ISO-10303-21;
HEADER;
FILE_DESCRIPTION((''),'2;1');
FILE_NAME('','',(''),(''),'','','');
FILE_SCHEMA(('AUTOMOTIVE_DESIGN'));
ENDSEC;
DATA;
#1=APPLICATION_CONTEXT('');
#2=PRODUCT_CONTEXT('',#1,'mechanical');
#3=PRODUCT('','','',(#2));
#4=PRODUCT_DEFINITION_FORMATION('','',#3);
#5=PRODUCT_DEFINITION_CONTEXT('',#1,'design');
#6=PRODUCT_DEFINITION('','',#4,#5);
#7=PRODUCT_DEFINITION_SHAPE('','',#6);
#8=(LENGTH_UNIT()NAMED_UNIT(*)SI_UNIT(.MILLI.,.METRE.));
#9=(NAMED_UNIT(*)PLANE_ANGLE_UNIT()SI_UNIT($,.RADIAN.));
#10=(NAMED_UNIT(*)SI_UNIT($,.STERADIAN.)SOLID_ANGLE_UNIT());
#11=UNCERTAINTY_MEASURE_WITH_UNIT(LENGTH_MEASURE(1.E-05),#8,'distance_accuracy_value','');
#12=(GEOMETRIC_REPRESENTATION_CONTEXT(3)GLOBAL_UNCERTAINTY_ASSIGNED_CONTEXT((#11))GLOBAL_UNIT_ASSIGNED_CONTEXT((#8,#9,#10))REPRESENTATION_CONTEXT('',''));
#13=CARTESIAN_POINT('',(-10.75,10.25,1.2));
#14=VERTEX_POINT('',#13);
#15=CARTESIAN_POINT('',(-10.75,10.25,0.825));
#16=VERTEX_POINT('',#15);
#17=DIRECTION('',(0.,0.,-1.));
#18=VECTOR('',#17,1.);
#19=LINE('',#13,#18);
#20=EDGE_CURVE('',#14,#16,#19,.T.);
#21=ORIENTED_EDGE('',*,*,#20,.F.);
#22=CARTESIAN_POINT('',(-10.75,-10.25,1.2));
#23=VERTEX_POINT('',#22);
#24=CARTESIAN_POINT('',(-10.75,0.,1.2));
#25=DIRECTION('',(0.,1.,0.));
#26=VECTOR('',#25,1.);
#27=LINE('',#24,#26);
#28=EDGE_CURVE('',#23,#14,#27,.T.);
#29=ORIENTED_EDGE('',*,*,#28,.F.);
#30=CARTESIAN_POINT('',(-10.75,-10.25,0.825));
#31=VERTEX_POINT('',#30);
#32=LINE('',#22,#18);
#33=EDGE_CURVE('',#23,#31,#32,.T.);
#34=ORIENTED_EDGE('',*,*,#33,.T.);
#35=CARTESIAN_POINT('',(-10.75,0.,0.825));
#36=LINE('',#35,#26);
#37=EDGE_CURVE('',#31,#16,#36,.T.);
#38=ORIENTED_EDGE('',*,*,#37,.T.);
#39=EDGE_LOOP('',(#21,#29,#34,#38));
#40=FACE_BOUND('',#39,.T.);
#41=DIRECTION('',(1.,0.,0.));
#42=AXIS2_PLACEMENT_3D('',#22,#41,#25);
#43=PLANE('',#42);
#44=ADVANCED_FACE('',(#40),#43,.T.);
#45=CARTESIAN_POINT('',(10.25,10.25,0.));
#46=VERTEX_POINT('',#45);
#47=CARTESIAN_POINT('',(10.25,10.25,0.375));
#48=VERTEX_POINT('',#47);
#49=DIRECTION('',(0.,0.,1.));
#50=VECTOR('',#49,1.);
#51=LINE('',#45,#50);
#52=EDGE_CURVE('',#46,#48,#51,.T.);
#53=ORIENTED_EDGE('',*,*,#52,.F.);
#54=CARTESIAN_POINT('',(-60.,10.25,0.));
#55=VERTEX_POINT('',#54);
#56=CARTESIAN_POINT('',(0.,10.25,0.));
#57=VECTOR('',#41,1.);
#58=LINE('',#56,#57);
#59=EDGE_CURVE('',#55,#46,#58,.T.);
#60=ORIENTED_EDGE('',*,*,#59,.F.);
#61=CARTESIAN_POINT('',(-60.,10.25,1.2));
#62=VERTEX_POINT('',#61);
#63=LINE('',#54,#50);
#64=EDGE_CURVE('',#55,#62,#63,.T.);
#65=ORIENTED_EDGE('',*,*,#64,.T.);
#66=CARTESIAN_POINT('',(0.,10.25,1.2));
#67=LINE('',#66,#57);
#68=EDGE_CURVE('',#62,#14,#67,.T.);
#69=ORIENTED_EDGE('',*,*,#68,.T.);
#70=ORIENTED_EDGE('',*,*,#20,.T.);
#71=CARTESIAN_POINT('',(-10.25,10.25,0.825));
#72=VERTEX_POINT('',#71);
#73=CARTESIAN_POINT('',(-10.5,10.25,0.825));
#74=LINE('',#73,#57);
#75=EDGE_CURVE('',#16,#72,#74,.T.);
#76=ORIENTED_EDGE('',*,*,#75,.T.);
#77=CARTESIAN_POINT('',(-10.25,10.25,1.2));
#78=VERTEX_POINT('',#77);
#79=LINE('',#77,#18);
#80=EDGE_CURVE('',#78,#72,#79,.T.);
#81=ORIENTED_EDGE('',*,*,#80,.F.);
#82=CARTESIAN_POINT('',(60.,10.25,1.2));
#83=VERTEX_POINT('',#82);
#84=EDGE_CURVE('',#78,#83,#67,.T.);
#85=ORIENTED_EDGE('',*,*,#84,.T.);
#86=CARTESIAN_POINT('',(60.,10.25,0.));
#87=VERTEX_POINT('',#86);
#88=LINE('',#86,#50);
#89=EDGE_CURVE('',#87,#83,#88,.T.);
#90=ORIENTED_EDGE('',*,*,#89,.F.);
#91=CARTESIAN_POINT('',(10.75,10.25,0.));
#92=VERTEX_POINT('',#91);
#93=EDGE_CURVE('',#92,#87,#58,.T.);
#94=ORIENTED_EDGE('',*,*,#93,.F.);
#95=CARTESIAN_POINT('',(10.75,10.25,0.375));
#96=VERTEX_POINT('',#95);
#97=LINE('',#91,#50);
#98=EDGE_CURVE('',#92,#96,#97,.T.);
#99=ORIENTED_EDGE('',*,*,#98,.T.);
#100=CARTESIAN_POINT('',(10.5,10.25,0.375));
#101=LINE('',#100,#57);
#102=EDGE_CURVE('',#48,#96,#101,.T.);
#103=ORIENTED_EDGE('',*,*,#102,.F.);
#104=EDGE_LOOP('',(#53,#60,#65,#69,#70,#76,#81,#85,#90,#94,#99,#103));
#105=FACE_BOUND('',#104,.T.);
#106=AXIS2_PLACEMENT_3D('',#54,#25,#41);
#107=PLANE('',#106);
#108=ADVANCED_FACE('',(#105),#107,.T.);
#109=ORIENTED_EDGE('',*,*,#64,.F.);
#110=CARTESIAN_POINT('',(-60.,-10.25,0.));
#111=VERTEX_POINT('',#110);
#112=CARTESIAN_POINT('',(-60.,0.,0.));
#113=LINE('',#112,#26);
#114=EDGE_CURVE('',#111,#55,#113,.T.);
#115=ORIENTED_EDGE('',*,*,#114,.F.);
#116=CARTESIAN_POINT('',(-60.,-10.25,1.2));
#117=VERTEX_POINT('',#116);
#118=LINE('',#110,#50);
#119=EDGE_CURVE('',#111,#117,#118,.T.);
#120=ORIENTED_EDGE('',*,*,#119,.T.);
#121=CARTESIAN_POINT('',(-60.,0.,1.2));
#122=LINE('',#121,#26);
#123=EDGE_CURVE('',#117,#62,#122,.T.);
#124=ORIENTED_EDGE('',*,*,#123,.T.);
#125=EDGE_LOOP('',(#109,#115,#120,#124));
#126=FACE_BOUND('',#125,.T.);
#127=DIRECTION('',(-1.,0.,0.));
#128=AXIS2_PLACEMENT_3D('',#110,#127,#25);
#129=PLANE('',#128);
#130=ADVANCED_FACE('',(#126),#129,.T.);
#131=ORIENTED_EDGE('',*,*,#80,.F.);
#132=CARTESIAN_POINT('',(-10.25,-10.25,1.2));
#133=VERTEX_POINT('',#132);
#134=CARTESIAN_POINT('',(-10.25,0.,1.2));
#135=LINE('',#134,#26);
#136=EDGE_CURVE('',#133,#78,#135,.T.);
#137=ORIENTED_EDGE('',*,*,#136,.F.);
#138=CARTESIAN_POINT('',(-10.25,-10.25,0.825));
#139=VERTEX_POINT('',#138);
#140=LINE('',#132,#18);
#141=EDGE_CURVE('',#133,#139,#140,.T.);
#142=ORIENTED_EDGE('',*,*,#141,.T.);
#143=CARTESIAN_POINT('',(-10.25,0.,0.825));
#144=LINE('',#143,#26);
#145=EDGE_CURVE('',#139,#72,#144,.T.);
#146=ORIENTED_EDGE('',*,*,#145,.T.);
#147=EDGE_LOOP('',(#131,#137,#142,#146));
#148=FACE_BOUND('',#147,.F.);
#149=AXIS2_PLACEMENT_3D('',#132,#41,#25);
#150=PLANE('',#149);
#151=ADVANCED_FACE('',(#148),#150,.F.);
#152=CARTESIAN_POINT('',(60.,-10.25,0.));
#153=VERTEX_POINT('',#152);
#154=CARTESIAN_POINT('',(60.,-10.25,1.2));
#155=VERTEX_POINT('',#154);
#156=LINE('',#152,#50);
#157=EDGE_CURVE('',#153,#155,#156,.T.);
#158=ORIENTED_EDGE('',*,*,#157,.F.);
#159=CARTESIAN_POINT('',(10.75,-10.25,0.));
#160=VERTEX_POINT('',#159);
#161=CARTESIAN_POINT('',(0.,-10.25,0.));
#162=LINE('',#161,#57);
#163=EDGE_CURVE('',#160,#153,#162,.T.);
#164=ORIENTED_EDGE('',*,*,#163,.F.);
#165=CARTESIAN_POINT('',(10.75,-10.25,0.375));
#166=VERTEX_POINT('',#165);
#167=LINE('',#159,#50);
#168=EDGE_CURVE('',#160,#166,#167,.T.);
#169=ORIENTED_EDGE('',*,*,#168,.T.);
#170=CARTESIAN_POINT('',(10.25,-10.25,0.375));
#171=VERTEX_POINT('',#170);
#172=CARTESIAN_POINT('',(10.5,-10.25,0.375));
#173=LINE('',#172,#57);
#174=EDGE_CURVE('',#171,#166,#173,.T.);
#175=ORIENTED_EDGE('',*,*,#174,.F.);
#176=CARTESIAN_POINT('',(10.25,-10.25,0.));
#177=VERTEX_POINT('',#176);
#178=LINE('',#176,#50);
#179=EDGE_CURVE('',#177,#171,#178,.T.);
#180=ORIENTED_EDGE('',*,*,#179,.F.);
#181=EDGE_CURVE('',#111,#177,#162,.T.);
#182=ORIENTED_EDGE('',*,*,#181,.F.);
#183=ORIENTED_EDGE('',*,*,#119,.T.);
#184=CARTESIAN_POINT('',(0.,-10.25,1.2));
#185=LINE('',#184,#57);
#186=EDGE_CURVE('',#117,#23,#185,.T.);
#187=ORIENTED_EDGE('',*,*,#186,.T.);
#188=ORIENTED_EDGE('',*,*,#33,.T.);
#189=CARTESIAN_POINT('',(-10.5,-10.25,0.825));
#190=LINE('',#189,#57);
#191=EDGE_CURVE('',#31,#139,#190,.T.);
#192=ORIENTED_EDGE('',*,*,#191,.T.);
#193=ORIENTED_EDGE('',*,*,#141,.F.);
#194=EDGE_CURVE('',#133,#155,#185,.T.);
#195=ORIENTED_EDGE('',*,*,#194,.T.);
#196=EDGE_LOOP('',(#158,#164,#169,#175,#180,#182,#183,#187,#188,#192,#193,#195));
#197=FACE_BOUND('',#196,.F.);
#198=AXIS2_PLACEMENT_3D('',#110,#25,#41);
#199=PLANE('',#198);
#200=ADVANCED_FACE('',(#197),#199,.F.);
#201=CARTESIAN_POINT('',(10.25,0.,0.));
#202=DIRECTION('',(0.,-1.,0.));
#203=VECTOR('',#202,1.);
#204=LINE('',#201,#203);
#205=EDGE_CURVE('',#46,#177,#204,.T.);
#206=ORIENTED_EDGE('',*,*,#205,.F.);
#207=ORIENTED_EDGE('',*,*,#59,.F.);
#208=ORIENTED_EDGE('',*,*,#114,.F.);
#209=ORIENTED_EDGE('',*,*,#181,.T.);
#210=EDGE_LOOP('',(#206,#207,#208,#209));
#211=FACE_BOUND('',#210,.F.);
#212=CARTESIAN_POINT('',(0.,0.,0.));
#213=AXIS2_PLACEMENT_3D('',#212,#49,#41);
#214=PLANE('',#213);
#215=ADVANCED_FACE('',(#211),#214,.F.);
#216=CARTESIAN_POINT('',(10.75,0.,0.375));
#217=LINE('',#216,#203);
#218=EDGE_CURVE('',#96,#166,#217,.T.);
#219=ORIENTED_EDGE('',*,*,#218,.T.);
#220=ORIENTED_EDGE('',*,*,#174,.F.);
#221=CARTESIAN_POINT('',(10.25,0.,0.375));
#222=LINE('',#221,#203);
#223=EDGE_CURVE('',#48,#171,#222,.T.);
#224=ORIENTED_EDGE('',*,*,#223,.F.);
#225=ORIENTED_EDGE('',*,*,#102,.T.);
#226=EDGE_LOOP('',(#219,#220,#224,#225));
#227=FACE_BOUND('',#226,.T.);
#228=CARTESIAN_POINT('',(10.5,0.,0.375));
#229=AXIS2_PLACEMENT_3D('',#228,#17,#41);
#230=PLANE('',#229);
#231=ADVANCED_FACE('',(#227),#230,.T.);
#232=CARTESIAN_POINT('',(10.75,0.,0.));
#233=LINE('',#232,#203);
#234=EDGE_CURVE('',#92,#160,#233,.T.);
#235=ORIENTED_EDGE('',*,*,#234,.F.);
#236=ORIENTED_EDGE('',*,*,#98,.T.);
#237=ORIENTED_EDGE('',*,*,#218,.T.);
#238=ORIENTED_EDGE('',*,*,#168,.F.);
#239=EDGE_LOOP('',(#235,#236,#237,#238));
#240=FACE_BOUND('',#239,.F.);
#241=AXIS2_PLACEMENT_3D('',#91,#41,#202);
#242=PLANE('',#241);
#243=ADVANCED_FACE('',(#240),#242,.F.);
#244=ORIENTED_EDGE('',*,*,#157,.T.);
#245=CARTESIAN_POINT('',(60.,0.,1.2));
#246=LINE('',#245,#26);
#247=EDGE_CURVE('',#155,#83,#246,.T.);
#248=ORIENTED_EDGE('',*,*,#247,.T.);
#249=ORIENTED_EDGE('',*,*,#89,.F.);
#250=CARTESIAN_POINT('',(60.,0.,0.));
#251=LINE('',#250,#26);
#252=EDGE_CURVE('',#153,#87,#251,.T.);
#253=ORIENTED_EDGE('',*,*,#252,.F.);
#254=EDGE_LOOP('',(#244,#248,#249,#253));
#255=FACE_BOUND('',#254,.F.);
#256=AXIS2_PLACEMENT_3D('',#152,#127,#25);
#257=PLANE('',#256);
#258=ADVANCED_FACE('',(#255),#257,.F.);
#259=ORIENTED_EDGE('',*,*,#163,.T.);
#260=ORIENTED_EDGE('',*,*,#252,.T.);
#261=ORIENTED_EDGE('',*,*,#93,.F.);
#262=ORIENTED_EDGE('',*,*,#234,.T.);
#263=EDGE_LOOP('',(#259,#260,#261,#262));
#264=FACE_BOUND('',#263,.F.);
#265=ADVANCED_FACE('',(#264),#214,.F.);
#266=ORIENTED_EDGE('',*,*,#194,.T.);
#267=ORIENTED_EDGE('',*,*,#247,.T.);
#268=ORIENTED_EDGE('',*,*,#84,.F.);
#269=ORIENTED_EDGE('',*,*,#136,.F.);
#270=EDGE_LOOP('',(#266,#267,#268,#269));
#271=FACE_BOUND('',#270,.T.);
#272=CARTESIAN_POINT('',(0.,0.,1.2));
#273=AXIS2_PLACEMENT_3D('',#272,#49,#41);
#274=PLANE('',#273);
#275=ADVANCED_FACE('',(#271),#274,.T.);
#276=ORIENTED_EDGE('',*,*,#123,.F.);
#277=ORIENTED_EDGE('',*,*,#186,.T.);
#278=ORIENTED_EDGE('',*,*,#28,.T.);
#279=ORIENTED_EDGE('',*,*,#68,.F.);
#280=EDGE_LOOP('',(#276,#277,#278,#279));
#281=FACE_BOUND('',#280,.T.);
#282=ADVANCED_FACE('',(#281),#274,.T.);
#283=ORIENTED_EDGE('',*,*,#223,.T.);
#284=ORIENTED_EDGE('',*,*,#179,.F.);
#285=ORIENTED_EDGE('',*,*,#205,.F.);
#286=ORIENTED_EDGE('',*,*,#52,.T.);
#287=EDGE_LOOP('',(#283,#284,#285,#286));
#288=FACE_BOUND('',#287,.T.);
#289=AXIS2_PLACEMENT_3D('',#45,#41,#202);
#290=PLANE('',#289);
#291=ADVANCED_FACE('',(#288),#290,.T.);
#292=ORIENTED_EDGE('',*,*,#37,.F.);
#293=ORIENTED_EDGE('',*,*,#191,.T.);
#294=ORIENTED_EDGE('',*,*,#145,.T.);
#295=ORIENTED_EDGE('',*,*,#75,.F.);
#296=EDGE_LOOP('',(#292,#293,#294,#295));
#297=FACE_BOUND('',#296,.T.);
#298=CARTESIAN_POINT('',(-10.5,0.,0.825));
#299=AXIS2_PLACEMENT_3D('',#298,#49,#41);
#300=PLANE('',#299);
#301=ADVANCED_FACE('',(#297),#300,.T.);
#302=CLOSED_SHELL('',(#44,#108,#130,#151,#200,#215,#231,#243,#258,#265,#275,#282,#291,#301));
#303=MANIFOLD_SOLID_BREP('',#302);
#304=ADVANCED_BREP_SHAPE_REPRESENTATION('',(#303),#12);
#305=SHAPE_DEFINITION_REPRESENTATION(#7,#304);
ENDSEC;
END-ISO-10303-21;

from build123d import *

# Parameters (mm, degrees)
F0_W     = 120
F0_H     = 20.5
F1_DEPTH = 1.2
F2_W     = 0.5
F2_H     = 20.5
F3_DEPTH = 0.375
F4_W     = 0.5
F4_H     = 20.5
F5_DEPTH = 0.375


with BuildPart() as f1:
    # F0 (on Top) → F1 (new body)
    with BuildSketch(Plane.XY):
        Rectangle(F0_W, F0_H)
    extrude(amount=F1_DEPTH)

    # F2 (on face) → F3 (cut)
    with BuildSketch(Plane.XY.offset(1.2)):
        with Locations((-10.5, 0)):
            Rectangle(F2_W, F2_H)
    extrude(amount=-F3_DEPTH, mode=Mode.SUBTRACT)

    # F4 (on face) → F5 (cut)
    with BuildSketch(Plane(origin=(0, 0, 0), x_dir=(1, 0, 0), z_dir=(0, 0, -1))):
        with Locations((10.5, 0)):
            Rectangle(F4_W, F4_H)
    extrude(amount=-F5_DEPTH, mode=Mode.SUBTRACT)


solid = f1.part
